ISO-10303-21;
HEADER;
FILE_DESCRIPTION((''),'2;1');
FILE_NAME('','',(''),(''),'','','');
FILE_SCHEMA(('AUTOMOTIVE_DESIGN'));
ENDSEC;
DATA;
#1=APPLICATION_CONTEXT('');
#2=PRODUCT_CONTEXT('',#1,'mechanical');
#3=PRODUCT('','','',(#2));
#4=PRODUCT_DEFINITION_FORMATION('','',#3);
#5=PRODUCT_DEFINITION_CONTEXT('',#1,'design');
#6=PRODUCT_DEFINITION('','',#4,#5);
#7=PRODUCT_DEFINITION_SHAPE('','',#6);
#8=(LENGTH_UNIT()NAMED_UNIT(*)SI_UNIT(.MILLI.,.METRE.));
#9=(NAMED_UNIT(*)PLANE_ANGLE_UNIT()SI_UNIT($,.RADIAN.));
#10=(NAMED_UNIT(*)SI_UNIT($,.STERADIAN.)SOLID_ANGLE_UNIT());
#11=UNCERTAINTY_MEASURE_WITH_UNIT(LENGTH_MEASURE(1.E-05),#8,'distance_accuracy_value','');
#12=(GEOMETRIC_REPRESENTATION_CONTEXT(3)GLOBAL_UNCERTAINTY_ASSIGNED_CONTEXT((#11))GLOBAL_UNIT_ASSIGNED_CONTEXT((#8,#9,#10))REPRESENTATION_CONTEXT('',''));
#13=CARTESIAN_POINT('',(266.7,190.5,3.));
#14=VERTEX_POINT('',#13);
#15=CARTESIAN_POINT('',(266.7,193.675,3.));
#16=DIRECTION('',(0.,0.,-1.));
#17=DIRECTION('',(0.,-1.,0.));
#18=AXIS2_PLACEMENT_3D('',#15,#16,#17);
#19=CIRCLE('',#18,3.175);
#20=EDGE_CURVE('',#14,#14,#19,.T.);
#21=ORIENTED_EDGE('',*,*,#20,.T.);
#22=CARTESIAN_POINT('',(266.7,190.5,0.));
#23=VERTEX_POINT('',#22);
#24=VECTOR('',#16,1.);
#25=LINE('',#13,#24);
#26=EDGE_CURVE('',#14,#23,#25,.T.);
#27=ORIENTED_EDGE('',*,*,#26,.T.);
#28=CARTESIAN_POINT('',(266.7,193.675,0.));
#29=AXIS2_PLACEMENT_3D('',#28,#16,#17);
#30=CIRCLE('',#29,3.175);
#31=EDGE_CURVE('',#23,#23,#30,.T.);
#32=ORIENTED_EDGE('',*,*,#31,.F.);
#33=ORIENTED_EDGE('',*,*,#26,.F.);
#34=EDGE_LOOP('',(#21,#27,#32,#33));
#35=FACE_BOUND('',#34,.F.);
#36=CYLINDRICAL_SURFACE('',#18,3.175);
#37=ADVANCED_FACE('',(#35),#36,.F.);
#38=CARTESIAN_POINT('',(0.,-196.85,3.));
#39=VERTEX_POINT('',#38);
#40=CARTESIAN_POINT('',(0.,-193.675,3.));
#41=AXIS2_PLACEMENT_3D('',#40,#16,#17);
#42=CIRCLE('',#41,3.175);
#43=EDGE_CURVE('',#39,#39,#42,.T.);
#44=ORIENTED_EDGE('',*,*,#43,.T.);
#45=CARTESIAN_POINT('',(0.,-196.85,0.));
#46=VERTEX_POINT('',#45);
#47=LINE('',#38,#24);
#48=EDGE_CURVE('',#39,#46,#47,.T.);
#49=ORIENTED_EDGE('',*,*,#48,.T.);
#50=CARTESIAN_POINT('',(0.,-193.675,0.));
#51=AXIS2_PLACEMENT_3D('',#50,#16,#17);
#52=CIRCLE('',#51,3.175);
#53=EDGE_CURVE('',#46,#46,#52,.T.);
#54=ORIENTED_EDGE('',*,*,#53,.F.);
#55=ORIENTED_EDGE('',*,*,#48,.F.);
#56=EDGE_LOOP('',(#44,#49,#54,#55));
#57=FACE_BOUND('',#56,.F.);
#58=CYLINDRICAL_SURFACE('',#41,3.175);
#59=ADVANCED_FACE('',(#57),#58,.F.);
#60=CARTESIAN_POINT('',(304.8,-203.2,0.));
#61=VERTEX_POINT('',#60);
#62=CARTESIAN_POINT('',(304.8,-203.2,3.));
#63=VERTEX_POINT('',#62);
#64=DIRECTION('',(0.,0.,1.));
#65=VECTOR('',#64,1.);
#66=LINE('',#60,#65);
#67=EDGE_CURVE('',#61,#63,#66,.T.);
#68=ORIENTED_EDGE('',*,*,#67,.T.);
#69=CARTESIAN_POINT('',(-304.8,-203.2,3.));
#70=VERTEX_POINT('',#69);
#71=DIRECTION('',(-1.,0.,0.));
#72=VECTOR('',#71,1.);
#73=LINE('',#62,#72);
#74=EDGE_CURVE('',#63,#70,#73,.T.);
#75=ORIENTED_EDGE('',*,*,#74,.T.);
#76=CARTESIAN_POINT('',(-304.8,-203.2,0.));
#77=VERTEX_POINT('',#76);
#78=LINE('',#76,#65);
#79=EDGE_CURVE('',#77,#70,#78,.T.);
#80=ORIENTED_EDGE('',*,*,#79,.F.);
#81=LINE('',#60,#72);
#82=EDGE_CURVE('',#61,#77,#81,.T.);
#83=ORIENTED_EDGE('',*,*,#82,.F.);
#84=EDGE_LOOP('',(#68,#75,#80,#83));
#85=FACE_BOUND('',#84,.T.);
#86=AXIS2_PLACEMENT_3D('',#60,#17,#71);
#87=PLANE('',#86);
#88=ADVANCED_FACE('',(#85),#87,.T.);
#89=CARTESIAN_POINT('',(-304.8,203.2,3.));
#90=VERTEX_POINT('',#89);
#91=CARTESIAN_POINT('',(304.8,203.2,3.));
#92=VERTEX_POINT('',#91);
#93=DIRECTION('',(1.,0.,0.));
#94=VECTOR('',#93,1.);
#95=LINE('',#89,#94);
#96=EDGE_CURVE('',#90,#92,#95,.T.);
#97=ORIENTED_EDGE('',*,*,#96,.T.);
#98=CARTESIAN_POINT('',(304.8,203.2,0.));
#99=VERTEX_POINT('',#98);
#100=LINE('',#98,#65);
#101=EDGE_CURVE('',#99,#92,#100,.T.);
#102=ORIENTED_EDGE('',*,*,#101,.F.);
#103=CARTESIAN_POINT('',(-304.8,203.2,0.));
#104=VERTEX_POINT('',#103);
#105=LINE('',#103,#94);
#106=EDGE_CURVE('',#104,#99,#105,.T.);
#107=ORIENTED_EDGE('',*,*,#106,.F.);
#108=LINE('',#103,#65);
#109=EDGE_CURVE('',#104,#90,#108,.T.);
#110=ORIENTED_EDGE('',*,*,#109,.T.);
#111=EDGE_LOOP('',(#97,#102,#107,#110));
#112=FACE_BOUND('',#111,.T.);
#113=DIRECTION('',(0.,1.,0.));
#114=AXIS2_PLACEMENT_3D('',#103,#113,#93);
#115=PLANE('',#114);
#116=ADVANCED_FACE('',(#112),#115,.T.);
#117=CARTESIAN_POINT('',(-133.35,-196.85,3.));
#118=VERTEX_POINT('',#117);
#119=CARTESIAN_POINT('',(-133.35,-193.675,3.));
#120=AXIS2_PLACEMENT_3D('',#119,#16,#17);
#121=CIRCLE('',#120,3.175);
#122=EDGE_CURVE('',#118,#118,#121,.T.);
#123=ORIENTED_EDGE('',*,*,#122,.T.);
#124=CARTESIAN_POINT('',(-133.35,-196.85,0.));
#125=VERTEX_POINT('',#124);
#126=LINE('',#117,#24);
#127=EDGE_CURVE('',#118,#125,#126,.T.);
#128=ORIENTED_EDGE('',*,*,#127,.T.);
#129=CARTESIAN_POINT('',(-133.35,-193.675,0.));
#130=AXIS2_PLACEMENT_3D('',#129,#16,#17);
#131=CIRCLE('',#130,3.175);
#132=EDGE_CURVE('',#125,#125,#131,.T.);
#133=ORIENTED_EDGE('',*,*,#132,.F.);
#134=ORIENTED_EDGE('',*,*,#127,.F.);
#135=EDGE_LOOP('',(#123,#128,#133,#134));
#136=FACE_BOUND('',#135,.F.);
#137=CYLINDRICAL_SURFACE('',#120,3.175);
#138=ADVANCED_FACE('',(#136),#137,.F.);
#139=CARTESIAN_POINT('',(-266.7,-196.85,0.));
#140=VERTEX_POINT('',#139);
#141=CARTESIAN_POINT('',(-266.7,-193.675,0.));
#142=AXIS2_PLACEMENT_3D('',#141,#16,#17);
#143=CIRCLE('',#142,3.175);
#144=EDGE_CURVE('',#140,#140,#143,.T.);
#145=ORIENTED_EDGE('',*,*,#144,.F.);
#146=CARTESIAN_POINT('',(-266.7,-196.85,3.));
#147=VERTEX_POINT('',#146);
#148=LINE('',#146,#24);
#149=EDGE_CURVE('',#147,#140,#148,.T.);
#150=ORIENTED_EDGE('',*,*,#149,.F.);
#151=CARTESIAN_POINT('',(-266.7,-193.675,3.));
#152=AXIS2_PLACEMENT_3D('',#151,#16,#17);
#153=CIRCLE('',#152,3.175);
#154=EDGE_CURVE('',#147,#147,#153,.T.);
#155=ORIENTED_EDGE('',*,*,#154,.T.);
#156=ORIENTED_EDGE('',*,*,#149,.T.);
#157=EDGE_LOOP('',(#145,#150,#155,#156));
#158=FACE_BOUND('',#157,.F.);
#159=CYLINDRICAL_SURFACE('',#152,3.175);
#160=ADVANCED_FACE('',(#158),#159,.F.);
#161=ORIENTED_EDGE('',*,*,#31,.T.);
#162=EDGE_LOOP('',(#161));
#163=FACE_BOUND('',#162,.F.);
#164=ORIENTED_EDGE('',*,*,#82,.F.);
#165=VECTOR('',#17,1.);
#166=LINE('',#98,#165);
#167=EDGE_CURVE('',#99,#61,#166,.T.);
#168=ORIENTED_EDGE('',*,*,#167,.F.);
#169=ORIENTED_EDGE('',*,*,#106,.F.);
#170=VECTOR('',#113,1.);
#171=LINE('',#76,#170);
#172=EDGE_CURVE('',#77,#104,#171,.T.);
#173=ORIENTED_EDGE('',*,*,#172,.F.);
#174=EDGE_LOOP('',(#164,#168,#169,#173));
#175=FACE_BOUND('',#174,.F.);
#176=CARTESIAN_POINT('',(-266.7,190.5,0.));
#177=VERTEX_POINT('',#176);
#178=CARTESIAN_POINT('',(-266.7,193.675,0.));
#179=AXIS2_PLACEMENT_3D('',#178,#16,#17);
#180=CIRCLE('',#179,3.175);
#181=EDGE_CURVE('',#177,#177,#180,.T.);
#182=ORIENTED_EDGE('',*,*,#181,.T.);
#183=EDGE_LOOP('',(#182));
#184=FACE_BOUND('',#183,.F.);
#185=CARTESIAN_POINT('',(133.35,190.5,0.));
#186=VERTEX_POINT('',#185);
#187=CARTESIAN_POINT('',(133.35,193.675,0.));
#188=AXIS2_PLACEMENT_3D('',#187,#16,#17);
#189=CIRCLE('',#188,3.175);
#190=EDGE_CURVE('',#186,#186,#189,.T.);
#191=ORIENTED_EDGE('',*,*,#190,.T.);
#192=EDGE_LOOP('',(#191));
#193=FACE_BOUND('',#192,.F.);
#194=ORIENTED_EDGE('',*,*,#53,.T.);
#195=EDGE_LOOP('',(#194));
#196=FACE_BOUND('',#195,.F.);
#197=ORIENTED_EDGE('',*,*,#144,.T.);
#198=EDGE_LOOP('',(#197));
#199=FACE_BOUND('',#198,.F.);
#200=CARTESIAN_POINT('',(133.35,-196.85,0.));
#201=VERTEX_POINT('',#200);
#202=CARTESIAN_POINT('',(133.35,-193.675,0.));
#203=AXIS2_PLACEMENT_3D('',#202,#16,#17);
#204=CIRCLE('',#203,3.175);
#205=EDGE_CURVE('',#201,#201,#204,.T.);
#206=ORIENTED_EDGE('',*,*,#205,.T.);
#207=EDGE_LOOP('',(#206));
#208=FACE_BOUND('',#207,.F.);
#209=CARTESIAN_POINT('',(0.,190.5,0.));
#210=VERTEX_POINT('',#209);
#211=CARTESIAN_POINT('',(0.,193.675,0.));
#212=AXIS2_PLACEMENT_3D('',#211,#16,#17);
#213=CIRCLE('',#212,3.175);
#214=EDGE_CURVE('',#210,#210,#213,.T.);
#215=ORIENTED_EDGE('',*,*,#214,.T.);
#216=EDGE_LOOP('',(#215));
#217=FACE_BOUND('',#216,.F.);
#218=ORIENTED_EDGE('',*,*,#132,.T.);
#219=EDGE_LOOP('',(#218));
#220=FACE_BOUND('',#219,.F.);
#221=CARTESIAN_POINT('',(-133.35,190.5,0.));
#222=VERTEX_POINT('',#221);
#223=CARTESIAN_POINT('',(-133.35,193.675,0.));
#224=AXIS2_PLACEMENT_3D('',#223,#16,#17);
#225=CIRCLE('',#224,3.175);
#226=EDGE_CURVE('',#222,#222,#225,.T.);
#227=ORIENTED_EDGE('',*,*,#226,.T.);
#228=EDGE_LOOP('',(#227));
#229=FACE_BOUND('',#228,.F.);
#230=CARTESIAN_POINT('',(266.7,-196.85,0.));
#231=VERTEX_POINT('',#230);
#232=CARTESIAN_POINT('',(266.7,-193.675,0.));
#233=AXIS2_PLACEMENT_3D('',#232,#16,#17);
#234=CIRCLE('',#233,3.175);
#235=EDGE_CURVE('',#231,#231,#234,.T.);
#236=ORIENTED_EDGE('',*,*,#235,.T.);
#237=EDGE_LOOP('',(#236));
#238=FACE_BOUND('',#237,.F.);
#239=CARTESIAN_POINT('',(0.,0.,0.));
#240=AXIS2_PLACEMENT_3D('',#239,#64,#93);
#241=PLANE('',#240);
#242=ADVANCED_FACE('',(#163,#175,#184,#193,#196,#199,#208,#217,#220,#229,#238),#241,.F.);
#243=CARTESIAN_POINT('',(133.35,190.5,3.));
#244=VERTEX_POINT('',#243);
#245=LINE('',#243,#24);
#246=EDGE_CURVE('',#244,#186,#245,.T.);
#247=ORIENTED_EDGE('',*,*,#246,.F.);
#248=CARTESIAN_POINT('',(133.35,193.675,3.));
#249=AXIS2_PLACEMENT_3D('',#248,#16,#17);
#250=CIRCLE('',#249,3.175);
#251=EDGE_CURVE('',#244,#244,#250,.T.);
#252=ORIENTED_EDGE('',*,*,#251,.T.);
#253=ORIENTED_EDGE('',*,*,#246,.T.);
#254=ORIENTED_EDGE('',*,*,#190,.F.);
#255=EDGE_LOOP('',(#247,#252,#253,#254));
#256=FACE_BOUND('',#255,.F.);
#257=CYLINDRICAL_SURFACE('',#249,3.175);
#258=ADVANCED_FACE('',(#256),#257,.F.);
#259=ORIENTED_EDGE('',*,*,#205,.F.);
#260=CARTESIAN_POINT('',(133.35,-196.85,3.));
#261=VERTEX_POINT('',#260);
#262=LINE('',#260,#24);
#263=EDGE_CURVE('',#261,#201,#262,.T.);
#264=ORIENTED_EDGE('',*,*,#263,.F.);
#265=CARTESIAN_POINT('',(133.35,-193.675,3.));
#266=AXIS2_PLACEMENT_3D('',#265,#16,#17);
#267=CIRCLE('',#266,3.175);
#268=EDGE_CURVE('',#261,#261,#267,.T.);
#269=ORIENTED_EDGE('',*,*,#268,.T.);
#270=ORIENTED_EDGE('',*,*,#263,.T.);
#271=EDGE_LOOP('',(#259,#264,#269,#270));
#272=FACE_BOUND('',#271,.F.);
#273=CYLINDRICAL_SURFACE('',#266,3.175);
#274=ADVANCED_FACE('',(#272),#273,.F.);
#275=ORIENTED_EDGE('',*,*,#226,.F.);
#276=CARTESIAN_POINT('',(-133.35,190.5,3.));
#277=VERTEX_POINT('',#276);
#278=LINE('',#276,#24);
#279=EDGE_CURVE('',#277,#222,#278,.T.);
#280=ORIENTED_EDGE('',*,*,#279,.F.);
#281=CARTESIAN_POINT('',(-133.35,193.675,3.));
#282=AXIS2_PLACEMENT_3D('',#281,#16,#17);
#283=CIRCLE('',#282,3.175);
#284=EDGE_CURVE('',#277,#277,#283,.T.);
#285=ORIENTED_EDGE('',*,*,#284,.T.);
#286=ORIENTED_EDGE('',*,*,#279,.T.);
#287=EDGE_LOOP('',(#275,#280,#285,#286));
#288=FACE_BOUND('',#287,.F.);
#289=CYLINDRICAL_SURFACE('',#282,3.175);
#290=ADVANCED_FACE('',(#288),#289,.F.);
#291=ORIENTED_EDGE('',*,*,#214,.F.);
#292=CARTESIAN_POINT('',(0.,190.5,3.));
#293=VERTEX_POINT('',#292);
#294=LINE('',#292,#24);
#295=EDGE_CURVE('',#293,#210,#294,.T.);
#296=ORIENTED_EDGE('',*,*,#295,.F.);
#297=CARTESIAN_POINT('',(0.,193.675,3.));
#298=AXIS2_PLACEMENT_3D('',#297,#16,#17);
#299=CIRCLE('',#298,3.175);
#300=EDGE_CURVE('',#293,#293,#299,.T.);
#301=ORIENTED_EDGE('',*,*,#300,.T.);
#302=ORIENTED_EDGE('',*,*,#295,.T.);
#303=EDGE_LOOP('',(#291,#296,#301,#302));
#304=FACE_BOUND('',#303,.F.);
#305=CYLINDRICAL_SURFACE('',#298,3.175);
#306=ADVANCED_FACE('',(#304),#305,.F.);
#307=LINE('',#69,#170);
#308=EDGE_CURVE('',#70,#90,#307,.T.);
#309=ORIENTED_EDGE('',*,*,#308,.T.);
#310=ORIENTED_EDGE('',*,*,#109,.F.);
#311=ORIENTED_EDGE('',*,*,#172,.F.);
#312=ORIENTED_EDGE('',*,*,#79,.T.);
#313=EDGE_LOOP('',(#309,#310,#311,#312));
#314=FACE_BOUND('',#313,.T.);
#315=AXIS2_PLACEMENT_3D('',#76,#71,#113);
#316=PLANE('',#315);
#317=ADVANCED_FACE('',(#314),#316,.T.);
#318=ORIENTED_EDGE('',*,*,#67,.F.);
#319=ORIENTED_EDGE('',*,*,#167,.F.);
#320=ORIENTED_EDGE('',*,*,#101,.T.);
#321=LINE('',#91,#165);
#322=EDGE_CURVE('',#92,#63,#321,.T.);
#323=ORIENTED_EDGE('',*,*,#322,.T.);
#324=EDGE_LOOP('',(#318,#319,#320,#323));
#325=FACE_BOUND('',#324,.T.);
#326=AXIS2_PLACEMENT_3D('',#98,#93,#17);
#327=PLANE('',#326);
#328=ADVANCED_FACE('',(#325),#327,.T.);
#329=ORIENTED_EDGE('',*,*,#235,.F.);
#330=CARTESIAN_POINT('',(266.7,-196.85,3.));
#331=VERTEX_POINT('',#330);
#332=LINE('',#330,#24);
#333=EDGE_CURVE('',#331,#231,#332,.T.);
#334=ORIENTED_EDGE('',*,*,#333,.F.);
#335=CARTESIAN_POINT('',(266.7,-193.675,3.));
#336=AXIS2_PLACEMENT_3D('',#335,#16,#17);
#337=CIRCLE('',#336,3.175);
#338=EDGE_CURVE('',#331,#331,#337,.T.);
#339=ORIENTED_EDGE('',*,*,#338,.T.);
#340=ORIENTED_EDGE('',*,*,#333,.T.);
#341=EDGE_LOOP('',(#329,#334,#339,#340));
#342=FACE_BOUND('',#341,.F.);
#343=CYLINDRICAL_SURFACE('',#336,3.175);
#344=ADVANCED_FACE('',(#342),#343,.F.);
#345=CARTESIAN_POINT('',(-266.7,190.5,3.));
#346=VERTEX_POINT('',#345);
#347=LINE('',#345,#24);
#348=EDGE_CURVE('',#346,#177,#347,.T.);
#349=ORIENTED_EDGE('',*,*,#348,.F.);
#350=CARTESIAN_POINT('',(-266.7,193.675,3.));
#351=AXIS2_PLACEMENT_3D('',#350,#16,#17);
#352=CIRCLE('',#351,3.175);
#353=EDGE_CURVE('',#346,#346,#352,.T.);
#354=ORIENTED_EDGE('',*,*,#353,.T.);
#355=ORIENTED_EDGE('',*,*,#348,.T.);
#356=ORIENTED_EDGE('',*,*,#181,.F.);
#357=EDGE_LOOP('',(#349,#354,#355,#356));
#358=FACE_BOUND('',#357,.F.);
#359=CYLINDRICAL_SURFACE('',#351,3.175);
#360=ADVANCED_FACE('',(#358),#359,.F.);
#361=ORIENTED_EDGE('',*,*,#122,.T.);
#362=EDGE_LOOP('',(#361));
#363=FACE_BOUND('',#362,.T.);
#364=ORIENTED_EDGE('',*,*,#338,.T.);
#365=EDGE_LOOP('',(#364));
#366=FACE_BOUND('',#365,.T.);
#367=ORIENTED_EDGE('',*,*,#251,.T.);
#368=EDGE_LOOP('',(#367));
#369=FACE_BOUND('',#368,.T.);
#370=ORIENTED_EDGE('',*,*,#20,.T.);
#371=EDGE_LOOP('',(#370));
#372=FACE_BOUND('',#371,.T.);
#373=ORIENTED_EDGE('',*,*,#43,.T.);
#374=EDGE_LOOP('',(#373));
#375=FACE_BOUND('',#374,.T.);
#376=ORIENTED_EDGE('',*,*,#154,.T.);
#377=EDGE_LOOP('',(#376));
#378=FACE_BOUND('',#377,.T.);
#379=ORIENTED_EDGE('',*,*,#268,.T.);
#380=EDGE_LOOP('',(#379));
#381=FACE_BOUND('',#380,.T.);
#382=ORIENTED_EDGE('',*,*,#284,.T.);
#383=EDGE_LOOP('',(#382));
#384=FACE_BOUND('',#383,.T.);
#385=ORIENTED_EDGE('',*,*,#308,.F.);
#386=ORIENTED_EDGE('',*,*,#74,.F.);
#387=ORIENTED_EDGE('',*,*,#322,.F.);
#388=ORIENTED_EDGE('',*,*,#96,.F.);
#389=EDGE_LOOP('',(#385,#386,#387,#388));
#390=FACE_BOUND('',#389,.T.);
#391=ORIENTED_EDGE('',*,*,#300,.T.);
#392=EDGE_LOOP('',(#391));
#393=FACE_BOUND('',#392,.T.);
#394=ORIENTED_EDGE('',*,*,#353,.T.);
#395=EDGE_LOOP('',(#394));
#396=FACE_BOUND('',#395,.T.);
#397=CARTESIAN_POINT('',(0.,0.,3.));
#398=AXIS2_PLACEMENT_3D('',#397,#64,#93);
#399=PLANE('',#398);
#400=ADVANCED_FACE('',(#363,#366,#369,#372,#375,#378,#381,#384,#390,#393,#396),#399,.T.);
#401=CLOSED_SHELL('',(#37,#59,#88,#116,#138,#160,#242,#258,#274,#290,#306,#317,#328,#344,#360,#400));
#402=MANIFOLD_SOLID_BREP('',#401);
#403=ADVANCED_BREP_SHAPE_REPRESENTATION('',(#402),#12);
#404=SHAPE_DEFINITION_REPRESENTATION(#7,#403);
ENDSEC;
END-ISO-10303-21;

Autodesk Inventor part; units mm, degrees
ref_plane "YZ Plane" through (0, 0, 0) normal (1, 0, 0) x (0, 1, 0)
ref_plane "XZ Plane" through (0, 0, 0) normal (0, 1, 0) x (-1, 0, 0)
ref_plane "XY Plane" through (0, 0, 0) normal (0, 0, 1) x (1, 0, 0)
sketch "Sketch1" plane through (0, 0, 0) normal (0, 0, 1) x (1, 0, 0)
  line L0 (-304.8, 203.2) -> (304.8, 203.2)
  line L1 (304.8, 203.2) -> (304.8, -203.2)
  line L2 (304.8, -203.2) -> (-304.8, -203.2)
  line L3 (-304.8, -203.2) -> (-304.8, 203.2)
  point P0 (0, 0)
  point P1 (0, 203.2)
  point P2 (304.8, 0)
  dimension "d0" = 609.6
  dimension "d1" = 406.4
extrude "Extrusion1" add sketch "Sketch1" along normal blind 3
sketch "Sketch2" plane through (0, 0, 3) normal (0, 0, 1) x (1, 0, 0)
  line L0 (304.8, 203.2) -> (304.8, -203.2) projected
  line L1 (-304.8, -203.2) -> (-304.8, 203.2) projected
  line L2 (304.8, -203.2) -> (-304.8, -203.2) projected
  line L3 (-304.8, 0) -> (304.8, 0)
  point P0 (0, 0)
  point P1 (-266.7, -193.675)
  point P2 (-133.35, -193.675)
  point P3 (0, -193.675)
  point P4 (133.35, -193.675)
  point P5 (266.7, -193.675)
  point P6 (-266.7, 193.675)
  point P7 (-133.35, 193.675)
  point P8 (0, 193.675)
  point P9 (133.35, 193.675)
  point P10 (266.7, 193.675)
  dimension "d4" = 9.525
  dimension "d5" = 133.35
  dimension "d6" = 38.1
  dimension "d7" = 133.35
  dimension "d8" = 133.35
  dimension "d9" = 133.35
  dimension "d10" = 38.1
hole "Hole1" at (-266.7, -193.675, 3) at (-133.35, -193.675, 3) at (0, -193.675, 3) at (133.35, -193.675, 3) at (266.7, -193.675, 3) at (-266.7, 193.675, 3) at (-133.35, 193.675, 3) at (0, 193.675, 3) at (133.35, 193.675, 3) at (266.7, 193.675, 3) direction (0, 0, -1) diameter 6.35 end through all
properties part number "top"
